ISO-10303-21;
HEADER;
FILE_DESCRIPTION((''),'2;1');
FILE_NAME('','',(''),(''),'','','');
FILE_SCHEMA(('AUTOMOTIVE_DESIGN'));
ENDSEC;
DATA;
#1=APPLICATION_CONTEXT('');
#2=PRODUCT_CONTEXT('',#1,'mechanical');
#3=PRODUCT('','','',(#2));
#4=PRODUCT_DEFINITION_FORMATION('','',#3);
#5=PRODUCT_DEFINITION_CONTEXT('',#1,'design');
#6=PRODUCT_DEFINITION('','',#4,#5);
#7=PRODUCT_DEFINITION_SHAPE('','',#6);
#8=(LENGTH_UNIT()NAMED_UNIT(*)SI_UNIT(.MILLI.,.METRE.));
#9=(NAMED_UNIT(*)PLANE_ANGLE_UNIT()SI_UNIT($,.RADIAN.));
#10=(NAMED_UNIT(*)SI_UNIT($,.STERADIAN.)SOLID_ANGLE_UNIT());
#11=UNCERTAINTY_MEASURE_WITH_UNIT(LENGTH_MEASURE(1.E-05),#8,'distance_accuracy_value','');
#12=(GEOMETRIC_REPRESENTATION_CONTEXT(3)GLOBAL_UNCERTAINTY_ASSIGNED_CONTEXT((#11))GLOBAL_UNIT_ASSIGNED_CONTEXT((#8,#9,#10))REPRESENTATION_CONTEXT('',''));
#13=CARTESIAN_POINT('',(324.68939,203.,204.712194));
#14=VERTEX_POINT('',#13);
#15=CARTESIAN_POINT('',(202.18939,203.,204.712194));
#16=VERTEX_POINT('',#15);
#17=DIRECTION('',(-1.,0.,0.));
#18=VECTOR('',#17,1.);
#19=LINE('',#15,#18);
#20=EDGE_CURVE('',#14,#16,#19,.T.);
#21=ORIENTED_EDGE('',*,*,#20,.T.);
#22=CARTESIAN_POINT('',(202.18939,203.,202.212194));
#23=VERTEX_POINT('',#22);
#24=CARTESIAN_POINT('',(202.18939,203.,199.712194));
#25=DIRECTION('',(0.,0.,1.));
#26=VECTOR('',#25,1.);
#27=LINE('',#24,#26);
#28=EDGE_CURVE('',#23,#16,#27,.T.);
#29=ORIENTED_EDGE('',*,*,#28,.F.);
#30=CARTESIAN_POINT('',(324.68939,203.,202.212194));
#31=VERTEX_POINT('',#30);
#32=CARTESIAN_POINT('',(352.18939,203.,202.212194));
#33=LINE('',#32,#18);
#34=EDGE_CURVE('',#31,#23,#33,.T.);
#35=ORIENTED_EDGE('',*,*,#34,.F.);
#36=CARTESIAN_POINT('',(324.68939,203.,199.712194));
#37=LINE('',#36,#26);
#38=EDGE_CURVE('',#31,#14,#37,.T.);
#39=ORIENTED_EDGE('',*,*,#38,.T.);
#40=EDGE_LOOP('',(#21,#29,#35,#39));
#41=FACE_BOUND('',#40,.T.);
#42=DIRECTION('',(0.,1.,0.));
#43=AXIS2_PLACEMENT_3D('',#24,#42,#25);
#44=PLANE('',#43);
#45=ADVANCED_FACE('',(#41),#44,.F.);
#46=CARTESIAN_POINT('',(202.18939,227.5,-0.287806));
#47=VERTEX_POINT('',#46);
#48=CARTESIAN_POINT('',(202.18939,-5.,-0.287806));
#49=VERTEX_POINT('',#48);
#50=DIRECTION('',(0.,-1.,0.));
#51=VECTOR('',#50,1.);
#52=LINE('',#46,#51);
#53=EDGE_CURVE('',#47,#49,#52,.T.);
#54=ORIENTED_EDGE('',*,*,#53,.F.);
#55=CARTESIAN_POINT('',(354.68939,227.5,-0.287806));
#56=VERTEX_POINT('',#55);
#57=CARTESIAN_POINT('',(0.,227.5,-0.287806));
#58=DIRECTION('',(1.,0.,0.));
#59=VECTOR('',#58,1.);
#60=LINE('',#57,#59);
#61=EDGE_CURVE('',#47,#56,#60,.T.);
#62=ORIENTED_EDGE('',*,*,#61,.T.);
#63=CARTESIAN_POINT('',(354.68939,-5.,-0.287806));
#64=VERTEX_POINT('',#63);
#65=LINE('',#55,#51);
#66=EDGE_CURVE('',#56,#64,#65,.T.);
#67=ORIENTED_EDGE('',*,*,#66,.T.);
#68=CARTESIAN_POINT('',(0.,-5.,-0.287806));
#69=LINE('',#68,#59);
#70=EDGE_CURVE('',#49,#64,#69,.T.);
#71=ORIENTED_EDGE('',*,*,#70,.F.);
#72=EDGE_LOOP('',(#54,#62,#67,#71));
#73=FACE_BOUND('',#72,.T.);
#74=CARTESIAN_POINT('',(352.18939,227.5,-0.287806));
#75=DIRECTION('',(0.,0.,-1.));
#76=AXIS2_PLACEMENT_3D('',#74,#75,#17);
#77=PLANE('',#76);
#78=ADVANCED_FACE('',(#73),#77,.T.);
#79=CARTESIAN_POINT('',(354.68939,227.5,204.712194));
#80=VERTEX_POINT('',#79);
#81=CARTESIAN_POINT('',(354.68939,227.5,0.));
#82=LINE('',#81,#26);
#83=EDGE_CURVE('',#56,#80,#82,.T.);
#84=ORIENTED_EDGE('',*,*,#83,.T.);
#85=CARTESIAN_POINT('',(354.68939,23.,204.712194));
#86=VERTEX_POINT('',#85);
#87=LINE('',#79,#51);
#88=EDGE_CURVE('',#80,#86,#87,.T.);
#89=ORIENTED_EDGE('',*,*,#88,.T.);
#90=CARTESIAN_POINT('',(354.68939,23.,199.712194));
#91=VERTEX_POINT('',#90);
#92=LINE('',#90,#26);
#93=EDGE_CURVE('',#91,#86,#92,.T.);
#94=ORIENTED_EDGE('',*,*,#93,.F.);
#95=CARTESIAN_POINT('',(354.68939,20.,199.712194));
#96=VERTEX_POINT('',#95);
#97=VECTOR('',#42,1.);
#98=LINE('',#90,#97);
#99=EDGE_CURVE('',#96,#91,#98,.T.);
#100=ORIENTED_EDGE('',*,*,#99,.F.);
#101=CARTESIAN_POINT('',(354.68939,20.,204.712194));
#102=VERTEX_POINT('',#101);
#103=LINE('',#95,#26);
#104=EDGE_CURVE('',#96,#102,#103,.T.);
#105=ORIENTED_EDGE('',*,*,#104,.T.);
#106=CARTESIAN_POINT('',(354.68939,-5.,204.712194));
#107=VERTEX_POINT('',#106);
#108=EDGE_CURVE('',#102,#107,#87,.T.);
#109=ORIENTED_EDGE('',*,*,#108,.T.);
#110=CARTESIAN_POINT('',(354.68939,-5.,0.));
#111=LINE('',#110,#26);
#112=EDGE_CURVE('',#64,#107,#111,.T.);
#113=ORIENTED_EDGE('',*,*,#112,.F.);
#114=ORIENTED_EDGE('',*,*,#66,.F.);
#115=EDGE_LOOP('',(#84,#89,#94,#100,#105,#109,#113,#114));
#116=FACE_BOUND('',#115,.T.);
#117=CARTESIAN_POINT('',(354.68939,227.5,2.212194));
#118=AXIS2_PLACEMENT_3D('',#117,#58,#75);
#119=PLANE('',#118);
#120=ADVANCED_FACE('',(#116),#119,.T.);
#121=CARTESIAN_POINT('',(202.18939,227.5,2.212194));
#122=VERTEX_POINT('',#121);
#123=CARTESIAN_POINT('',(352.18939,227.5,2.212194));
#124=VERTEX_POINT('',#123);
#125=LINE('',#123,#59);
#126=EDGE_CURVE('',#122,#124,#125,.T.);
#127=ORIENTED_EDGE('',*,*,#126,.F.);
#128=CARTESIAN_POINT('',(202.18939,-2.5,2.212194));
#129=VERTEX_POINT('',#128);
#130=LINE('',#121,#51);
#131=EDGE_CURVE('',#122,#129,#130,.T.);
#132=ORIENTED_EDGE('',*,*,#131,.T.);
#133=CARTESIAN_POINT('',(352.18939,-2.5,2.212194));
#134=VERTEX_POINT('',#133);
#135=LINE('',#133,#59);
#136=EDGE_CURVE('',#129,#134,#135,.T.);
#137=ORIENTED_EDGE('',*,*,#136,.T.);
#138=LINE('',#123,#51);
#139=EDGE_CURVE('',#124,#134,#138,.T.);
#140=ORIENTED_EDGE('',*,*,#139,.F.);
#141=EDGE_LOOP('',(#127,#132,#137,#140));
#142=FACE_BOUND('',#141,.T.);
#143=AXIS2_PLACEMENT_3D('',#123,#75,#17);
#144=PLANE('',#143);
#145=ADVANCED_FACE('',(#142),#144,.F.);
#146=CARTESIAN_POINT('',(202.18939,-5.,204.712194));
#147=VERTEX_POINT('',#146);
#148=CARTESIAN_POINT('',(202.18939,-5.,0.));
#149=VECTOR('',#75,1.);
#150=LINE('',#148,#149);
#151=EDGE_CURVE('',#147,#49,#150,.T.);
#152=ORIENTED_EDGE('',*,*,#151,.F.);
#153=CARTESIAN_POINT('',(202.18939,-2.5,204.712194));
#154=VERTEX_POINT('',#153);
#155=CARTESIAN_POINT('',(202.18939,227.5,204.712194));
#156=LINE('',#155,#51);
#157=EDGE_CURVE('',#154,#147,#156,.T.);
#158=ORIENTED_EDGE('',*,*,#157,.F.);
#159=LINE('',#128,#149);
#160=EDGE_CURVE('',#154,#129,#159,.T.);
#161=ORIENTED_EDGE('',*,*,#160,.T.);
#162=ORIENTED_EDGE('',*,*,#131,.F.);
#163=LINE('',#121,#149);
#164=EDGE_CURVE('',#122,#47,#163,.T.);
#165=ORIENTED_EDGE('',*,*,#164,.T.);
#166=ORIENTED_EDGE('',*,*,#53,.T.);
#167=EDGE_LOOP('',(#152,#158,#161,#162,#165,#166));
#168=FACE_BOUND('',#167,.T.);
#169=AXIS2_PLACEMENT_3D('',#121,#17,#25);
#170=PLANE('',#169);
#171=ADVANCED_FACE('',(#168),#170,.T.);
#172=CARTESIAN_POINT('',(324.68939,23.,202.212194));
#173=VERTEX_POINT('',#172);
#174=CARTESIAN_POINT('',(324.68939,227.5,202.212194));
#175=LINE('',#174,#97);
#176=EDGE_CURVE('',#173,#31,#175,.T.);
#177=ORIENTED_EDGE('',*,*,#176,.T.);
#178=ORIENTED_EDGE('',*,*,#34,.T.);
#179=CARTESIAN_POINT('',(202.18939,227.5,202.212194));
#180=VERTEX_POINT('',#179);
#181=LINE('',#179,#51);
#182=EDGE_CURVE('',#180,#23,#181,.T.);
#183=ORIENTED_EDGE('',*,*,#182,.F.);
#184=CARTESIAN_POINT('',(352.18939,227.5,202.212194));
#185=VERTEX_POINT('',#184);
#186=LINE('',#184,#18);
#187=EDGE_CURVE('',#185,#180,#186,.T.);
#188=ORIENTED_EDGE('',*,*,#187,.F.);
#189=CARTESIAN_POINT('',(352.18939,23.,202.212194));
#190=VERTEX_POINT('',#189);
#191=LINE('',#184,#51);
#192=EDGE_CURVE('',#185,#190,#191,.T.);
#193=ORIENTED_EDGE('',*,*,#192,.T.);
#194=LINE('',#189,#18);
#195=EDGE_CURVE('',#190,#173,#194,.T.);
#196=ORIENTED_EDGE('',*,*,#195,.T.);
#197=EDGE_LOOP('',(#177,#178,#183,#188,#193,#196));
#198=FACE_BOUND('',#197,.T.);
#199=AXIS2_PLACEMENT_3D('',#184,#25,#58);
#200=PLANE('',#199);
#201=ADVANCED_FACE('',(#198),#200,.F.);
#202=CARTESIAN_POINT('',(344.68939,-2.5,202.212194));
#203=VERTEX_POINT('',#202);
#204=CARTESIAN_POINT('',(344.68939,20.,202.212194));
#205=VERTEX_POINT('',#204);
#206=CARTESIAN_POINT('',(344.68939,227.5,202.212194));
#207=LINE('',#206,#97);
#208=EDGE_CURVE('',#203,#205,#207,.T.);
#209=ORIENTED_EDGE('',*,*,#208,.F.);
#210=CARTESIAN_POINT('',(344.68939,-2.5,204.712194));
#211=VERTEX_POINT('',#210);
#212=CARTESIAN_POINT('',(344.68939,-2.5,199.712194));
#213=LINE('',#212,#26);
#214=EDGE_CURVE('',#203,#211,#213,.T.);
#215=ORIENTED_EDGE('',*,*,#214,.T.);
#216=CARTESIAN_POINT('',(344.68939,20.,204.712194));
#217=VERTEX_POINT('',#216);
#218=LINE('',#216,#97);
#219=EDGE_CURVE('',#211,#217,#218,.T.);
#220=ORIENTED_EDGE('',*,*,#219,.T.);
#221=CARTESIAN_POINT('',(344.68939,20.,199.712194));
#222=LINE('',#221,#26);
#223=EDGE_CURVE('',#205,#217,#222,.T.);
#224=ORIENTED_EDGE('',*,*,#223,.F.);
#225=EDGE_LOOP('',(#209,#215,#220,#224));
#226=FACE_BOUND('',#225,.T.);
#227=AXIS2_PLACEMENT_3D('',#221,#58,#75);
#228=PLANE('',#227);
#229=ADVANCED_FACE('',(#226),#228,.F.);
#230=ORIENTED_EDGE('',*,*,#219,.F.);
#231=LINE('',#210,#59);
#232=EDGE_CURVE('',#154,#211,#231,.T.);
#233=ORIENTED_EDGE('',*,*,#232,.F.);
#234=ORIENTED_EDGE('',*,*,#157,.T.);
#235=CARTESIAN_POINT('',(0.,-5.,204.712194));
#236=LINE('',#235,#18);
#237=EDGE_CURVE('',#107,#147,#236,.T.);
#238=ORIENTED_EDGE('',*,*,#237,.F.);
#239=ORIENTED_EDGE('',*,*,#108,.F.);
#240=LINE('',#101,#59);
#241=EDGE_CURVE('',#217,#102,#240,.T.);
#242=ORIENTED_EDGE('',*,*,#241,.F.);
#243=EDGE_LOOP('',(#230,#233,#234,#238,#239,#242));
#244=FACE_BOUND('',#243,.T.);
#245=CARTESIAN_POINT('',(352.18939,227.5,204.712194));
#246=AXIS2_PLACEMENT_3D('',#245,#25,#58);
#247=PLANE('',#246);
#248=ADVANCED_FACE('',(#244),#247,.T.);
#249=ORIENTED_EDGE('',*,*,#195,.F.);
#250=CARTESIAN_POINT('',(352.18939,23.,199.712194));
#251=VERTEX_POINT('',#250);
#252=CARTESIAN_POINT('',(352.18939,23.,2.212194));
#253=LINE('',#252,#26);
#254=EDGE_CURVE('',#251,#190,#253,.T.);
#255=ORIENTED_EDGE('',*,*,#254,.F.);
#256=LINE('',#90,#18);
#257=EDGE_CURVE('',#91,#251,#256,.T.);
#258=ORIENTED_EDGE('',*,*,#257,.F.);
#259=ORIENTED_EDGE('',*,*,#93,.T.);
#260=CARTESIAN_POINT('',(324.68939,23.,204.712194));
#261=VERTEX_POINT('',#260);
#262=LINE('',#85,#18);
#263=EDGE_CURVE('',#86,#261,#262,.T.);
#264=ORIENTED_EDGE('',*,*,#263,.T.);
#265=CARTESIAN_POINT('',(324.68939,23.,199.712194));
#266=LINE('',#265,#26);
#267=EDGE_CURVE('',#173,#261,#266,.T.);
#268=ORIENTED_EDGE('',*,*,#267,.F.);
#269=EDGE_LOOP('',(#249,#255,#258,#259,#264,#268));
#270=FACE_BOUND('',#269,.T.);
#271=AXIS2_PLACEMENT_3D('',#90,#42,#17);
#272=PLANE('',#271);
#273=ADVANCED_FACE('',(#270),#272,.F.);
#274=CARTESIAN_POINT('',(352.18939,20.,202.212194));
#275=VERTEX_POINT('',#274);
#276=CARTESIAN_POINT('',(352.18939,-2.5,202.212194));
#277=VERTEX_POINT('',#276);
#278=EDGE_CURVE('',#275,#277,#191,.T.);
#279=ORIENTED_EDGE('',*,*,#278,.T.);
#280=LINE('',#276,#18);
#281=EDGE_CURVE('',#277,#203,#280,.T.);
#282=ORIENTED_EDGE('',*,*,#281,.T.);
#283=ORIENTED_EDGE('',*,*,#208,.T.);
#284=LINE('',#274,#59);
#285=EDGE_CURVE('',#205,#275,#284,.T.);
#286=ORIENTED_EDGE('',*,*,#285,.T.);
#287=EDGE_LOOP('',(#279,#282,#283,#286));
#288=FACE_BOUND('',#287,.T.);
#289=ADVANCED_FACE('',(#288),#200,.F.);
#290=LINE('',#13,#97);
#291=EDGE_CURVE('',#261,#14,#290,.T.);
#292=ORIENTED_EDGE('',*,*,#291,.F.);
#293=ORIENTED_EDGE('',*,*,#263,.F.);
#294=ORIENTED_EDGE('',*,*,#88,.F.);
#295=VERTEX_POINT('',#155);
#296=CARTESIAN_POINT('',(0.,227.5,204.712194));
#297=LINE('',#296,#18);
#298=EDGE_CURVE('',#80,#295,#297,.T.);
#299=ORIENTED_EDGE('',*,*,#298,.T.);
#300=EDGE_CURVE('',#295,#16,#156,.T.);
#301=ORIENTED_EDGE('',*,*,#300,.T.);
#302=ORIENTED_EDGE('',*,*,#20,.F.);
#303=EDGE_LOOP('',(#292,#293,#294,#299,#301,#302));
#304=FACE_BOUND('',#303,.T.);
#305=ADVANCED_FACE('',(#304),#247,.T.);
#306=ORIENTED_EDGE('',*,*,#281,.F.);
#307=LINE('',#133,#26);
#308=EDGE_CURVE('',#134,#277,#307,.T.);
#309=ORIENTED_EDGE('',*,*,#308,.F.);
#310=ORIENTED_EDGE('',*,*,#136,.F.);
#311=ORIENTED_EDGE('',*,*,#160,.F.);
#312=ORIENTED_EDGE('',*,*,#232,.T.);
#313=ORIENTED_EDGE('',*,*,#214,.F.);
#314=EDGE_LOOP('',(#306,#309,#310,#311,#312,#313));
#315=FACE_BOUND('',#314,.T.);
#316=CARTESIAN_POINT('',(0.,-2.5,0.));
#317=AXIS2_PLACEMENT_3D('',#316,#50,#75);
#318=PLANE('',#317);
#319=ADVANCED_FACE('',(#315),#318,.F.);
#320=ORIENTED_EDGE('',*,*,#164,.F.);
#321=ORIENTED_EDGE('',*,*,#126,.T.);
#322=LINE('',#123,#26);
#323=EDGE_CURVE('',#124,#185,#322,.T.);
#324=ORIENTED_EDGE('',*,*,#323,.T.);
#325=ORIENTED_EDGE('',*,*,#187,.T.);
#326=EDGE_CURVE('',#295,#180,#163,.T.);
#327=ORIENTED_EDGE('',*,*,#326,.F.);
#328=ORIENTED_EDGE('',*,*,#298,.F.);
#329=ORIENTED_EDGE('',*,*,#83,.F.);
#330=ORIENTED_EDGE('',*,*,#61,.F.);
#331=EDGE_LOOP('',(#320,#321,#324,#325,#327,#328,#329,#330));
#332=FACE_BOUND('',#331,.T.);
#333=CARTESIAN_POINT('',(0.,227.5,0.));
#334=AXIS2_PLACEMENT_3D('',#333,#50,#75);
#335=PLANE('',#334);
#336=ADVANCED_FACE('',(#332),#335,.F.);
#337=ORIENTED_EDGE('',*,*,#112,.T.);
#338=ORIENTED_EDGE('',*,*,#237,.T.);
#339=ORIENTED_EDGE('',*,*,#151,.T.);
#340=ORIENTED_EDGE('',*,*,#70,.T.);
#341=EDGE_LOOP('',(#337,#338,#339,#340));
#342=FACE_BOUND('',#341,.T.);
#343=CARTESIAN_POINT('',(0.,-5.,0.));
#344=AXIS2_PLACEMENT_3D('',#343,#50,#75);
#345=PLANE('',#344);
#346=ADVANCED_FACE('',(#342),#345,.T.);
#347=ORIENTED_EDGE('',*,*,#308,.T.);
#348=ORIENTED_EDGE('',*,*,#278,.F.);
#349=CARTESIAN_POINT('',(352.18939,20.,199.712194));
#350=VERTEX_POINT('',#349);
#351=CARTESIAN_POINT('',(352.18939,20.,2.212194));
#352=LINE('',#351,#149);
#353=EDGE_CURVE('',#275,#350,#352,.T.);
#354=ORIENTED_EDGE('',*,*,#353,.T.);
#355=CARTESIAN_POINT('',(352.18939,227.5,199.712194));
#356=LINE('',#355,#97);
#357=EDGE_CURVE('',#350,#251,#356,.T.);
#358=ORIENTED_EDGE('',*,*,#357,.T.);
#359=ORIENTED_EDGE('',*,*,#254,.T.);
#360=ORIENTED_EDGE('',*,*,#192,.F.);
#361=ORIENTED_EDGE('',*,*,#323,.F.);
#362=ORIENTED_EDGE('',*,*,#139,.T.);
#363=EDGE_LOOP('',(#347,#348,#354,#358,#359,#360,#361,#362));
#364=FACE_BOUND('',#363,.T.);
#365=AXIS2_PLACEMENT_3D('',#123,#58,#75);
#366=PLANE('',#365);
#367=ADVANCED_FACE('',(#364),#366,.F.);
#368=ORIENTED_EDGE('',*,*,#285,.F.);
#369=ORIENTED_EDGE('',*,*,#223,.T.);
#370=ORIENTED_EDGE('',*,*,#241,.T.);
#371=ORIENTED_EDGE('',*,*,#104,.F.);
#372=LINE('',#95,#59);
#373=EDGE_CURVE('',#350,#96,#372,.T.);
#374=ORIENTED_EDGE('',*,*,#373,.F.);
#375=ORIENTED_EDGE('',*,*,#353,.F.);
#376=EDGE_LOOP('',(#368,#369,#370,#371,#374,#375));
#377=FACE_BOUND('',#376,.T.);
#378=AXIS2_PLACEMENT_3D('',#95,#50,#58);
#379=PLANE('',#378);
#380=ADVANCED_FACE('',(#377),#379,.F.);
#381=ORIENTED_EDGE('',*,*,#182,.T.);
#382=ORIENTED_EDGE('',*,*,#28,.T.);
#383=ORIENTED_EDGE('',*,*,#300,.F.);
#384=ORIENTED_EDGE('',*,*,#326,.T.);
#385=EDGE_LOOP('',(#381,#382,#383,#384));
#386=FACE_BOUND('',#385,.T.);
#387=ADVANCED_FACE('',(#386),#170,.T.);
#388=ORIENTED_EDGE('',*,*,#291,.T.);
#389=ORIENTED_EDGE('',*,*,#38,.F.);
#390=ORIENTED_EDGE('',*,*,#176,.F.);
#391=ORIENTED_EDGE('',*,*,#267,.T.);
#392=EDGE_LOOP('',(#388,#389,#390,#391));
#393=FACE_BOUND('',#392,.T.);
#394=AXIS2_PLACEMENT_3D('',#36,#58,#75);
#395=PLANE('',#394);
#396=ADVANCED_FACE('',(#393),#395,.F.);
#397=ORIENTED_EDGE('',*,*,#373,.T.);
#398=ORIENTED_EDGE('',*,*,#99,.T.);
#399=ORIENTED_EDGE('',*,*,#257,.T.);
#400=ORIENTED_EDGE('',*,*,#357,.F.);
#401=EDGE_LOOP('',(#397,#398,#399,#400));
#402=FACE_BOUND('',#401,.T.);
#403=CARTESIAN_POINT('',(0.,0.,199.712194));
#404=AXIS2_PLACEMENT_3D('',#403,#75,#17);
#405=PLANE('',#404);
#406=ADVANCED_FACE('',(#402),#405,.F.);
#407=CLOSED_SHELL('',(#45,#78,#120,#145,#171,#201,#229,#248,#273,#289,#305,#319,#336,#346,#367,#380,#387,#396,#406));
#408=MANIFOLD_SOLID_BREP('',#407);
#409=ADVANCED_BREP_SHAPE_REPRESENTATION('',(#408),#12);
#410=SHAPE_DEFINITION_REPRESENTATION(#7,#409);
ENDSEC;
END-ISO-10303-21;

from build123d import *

# Parameters (mm, degrees)
SKETCH_8_W          = 150
SKETCH_8_H          = 200
EXTRUDE_3_DEPTH     = 230
SHELL_2_T           = 2.5
CUT_EXTRUDE_3_DEPTH = 5
SKETCH_11_W         = 142.5
SKETCH_11_H         = 22.5
CUT_EXTRUDE_4_DEPTH = 5


with BuildPart() as part:
    # 草图8 → 凸台-拉伸3 (new body)
    with BuildSketch(Plane(origin=(0, -2.5, 0), x_dir=(-1, 0, 0), z_dir=(0, -1, 0))):
        with Locations((-277.189390083, -102.212193571)):
            Rectangle(SKETCH_8_W, SKETCH_8_H)
    extrude(amount=-EXTRUDE_3_DEPTH)

    # 抽壳2
    shell_2_openings = [part.faces().sort_by_distance(p)[0] for p in [
        (202.189390083, 112.5, 102.212193571),
        (277.189390083, 227.5, 102.212193571),
    ]]
    offset(amount=SHELL_2_T, openings=shell_2_openings, kind=Kind.INTERSECTION)

    # 草图10 → 切除-拉伸3 (cut)
    with BuildSketch(Plane.XY.offset(204.712193571)):
        Polygon((354.689390083, 23), (324.689390083, 23), (324.689390083, 203), (202.189390083, 203), (202.189390083, 23), (202.189390083, 20), (354.689390083, 20), align=None)
    extrude(amount=-CUT_EXTRUDE_3_DEPTH, mode=Mode.SUBTRACT)

    # 草图11 → 切除-拉伸4 (cut)
    with BuildSketch(Plane.XY.offset(204.712193571)):
        with Locations((273.439390083, 8.75)):
            Rectangle(SKETCH_11_W, SKETCH_11_H)
    extrude(amount=-CUT_EXTRUDE_4_DEPTH, mode=Mode.SUBTRACT)


solid = part.part
